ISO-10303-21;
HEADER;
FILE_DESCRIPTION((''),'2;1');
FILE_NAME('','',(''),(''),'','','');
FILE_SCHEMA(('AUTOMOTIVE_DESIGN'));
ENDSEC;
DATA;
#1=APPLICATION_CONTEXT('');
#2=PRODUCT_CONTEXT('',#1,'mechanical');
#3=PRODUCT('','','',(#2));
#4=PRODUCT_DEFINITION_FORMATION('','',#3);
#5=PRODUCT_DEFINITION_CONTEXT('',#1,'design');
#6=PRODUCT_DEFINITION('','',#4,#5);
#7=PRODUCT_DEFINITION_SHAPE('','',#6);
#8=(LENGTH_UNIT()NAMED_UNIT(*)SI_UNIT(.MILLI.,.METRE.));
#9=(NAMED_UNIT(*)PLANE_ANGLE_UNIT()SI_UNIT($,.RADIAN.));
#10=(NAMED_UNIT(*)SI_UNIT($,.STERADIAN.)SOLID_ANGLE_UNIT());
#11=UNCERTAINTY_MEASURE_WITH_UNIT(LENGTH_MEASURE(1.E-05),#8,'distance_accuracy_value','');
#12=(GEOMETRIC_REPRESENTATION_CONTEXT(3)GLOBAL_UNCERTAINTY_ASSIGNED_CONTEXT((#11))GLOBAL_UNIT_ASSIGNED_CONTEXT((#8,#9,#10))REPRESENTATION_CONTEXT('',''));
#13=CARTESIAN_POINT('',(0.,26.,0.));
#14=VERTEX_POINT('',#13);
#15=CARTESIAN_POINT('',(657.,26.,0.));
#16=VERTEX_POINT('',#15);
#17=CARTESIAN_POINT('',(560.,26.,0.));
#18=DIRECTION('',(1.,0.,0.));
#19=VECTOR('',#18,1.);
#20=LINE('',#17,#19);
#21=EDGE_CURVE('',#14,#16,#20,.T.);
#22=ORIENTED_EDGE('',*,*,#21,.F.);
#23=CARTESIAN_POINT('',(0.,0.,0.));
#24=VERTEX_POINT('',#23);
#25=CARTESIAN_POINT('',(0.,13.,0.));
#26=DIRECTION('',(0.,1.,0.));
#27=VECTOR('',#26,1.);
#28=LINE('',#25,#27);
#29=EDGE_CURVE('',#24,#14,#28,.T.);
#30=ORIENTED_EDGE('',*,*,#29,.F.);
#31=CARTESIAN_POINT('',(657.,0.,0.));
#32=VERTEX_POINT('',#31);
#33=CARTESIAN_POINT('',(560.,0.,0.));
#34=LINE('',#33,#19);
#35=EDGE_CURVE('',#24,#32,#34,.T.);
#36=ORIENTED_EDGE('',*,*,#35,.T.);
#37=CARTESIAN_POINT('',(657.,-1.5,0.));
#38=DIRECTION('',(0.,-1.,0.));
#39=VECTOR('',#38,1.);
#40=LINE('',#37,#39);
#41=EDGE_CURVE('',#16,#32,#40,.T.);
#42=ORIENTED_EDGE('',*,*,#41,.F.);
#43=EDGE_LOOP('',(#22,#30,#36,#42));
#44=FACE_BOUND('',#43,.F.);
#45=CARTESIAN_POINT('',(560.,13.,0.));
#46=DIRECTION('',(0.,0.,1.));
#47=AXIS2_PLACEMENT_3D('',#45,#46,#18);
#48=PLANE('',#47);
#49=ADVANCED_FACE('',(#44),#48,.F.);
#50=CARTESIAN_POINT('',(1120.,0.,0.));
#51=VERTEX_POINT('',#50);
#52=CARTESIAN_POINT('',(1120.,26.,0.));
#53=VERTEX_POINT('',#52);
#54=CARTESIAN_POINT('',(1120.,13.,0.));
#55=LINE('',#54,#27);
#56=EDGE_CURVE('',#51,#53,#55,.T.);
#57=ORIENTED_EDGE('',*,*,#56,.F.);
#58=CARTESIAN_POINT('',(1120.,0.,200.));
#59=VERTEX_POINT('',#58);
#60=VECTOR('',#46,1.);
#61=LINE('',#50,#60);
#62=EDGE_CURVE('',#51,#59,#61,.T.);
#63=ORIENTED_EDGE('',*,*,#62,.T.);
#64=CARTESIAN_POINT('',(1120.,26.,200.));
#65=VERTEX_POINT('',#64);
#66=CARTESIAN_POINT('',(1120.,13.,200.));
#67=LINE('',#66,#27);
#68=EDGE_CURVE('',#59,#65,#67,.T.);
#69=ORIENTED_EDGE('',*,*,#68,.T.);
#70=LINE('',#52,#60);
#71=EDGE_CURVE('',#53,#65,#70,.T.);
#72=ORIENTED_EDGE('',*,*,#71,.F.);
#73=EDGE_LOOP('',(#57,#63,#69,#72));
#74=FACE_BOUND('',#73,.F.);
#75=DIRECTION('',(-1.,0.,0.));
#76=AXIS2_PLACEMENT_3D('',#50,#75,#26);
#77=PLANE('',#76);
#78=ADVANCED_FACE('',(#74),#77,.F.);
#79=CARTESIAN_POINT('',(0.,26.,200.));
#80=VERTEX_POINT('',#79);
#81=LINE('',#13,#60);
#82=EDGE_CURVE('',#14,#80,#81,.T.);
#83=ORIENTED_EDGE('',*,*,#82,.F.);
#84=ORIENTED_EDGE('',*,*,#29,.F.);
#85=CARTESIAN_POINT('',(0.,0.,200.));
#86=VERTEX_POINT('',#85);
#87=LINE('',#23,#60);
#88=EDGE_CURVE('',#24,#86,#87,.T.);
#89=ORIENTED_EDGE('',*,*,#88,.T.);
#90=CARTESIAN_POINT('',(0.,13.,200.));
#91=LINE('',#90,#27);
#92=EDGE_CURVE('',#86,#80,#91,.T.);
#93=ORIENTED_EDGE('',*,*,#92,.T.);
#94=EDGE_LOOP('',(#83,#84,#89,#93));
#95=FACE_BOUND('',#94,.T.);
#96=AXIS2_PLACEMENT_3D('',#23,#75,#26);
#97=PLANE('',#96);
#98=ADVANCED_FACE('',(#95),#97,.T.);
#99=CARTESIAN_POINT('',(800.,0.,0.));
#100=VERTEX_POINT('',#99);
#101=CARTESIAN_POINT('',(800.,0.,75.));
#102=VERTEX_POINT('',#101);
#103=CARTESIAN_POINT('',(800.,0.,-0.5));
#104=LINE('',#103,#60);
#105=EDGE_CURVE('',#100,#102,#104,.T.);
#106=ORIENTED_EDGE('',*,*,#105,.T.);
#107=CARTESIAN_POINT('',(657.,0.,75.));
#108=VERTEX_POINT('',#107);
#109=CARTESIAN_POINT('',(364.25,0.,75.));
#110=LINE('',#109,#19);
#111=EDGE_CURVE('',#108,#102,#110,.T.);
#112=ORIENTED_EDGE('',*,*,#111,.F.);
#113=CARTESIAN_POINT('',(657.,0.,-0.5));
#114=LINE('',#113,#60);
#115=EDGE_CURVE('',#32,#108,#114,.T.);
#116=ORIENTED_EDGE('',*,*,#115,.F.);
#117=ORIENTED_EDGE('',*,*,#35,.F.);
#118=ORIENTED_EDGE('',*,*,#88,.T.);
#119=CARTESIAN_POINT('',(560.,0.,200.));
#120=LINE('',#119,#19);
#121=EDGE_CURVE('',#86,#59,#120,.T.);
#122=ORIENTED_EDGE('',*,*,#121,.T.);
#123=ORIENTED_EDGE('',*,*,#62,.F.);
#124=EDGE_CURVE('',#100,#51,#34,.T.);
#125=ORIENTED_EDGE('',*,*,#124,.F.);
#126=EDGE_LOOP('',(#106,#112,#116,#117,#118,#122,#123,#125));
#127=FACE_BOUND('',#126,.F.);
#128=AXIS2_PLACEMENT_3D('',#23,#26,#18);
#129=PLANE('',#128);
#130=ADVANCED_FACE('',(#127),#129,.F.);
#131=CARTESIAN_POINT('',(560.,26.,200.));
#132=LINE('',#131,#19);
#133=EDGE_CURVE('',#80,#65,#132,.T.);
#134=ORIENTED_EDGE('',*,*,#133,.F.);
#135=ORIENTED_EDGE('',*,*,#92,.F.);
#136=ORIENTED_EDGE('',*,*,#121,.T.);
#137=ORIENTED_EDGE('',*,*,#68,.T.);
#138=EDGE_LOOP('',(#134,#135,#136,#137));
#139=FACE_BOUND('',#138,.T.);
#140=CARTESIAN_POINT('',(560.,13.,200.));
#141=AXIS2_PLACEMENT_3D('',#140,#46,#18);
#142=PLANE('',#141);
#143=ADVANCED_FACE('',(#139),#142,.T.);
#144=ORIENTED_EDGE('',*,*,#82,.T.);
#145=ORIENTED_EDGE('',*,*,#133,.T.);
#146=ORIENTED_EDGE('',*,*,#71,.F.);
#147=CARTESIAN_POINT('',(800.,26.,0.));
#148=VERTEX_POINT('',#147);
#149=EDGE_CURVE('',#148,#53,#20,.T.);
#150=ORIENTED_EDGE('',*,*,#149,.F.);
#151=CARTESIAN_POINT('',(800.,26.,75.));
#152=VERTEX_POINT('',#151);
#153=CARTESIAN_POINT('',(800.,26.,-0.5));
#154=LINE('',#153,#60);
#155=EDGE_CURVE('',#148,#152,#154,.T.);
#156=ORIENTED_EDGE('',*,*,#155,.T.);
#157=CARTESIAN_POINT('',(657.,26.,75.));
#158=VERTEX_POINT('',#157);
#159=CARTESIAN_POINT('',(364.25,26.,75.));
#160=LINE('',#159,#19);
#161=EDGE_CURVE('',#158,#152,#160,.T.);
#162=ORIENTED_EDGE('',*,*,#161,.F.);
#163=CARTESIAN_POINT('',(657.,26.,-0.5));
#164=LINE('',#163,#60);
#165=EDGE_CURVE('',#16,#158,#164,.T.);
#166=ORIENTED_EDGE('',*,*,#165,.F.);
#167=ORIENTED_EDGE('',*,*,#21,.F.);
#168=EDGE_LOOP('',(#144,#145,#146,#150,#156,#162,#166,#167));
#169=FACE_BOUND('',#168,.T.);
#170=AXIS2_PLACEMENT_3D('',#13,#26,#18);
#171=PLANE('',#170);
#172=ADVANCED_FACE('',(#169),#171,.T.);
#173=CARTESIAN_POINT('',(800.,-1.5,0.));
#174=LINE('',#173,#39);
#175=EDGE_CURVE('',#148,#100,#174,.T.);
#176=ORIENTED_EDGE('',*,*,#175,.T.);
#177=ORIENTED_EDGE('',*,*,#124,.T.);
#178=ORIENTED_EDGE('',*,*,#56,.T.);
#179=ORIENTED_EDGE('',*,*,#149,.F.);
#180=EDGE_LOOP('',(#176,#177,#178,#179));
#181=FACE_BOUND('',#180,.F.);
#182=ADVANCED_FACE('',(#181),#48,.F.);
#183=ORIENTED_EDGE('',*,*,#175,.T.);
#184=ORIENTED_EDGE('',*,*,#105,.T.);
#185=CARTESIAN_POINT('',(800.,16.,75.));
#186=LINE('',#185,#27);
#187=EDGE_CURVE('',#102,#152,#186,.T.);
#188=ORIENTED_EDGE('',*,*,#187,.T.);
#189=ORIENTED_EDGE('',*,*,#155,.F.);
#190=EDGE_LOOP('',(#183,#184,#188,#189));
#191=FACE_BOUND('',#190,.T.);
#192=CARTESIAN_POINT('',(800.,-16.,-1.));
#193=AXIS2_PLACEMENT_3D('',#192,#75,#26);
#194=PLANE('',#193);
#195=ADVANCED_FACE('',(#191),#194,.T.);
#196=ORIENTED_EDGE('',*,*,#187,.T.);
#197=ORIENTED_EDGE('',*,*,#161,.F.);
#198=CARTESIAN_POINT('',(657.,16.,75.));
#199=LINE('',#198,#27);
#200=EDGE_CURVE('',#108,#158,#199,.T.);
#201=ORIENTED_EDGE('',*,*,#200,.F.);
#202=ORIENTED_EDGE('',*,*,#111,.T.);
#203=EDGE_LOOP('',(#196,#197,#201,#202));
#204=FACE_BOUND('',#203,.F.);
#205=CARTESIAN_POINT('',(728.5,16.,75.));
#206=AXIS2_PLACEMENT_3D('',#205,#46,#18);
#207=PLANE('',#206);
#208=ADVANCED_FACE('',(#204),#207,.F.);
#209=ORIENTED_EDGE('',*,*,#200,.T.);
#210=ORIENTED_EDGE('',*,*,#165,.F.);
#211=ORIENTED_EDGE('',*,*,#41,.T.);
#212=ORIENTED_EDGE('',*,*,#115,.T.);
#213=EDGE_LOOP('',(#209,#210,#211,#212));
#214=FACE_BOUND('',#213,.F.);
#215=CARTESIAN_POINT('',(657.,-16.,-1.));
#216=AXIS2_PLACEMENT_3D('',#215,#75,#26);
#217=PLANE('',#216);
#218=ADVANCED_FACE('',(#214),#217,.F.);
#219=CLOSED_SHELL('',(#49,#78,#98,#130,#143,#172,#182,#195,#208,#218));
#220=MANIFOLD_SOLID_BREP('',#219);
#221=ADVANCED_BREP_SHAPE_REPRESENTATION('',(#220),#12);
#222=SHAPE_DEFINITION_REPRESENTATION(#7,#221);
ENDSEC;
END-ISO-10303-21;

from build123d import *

# Parameters (mm, degrees)
BOX001_W     = 143
BOX001_H     = 64
BOX001_DEPTH = 76
BOX_W        = 1120
BOX_H        = 26
BOX_DEPTH    = 200


with BuildPart() as cube001:
    # Box001 → Box001 (new body)
    with BuildSketch(Plane(origin=(657, -16, -1), x_dir=(1, 0, 0), z_dir=(0, 0, 1))):
        with Locations((71.5, 32)):
            Rectangle(BOX001_W, BOX001_H)
    extrude(amount=BOX001_DEPTH)


with BuildPart() as cut:
    # Box → Box (new body)
    with BuildSketch(Plane.XY):
        with Locations((560, 13)):
            Rectangle(BOX_W, BOX_H)
    extrude(amount=BOX_DEPTH)

    # Cut: cut Cube001
    add(cube001.part, mode=Mode.SUBTRACT)


solid = cut.part
